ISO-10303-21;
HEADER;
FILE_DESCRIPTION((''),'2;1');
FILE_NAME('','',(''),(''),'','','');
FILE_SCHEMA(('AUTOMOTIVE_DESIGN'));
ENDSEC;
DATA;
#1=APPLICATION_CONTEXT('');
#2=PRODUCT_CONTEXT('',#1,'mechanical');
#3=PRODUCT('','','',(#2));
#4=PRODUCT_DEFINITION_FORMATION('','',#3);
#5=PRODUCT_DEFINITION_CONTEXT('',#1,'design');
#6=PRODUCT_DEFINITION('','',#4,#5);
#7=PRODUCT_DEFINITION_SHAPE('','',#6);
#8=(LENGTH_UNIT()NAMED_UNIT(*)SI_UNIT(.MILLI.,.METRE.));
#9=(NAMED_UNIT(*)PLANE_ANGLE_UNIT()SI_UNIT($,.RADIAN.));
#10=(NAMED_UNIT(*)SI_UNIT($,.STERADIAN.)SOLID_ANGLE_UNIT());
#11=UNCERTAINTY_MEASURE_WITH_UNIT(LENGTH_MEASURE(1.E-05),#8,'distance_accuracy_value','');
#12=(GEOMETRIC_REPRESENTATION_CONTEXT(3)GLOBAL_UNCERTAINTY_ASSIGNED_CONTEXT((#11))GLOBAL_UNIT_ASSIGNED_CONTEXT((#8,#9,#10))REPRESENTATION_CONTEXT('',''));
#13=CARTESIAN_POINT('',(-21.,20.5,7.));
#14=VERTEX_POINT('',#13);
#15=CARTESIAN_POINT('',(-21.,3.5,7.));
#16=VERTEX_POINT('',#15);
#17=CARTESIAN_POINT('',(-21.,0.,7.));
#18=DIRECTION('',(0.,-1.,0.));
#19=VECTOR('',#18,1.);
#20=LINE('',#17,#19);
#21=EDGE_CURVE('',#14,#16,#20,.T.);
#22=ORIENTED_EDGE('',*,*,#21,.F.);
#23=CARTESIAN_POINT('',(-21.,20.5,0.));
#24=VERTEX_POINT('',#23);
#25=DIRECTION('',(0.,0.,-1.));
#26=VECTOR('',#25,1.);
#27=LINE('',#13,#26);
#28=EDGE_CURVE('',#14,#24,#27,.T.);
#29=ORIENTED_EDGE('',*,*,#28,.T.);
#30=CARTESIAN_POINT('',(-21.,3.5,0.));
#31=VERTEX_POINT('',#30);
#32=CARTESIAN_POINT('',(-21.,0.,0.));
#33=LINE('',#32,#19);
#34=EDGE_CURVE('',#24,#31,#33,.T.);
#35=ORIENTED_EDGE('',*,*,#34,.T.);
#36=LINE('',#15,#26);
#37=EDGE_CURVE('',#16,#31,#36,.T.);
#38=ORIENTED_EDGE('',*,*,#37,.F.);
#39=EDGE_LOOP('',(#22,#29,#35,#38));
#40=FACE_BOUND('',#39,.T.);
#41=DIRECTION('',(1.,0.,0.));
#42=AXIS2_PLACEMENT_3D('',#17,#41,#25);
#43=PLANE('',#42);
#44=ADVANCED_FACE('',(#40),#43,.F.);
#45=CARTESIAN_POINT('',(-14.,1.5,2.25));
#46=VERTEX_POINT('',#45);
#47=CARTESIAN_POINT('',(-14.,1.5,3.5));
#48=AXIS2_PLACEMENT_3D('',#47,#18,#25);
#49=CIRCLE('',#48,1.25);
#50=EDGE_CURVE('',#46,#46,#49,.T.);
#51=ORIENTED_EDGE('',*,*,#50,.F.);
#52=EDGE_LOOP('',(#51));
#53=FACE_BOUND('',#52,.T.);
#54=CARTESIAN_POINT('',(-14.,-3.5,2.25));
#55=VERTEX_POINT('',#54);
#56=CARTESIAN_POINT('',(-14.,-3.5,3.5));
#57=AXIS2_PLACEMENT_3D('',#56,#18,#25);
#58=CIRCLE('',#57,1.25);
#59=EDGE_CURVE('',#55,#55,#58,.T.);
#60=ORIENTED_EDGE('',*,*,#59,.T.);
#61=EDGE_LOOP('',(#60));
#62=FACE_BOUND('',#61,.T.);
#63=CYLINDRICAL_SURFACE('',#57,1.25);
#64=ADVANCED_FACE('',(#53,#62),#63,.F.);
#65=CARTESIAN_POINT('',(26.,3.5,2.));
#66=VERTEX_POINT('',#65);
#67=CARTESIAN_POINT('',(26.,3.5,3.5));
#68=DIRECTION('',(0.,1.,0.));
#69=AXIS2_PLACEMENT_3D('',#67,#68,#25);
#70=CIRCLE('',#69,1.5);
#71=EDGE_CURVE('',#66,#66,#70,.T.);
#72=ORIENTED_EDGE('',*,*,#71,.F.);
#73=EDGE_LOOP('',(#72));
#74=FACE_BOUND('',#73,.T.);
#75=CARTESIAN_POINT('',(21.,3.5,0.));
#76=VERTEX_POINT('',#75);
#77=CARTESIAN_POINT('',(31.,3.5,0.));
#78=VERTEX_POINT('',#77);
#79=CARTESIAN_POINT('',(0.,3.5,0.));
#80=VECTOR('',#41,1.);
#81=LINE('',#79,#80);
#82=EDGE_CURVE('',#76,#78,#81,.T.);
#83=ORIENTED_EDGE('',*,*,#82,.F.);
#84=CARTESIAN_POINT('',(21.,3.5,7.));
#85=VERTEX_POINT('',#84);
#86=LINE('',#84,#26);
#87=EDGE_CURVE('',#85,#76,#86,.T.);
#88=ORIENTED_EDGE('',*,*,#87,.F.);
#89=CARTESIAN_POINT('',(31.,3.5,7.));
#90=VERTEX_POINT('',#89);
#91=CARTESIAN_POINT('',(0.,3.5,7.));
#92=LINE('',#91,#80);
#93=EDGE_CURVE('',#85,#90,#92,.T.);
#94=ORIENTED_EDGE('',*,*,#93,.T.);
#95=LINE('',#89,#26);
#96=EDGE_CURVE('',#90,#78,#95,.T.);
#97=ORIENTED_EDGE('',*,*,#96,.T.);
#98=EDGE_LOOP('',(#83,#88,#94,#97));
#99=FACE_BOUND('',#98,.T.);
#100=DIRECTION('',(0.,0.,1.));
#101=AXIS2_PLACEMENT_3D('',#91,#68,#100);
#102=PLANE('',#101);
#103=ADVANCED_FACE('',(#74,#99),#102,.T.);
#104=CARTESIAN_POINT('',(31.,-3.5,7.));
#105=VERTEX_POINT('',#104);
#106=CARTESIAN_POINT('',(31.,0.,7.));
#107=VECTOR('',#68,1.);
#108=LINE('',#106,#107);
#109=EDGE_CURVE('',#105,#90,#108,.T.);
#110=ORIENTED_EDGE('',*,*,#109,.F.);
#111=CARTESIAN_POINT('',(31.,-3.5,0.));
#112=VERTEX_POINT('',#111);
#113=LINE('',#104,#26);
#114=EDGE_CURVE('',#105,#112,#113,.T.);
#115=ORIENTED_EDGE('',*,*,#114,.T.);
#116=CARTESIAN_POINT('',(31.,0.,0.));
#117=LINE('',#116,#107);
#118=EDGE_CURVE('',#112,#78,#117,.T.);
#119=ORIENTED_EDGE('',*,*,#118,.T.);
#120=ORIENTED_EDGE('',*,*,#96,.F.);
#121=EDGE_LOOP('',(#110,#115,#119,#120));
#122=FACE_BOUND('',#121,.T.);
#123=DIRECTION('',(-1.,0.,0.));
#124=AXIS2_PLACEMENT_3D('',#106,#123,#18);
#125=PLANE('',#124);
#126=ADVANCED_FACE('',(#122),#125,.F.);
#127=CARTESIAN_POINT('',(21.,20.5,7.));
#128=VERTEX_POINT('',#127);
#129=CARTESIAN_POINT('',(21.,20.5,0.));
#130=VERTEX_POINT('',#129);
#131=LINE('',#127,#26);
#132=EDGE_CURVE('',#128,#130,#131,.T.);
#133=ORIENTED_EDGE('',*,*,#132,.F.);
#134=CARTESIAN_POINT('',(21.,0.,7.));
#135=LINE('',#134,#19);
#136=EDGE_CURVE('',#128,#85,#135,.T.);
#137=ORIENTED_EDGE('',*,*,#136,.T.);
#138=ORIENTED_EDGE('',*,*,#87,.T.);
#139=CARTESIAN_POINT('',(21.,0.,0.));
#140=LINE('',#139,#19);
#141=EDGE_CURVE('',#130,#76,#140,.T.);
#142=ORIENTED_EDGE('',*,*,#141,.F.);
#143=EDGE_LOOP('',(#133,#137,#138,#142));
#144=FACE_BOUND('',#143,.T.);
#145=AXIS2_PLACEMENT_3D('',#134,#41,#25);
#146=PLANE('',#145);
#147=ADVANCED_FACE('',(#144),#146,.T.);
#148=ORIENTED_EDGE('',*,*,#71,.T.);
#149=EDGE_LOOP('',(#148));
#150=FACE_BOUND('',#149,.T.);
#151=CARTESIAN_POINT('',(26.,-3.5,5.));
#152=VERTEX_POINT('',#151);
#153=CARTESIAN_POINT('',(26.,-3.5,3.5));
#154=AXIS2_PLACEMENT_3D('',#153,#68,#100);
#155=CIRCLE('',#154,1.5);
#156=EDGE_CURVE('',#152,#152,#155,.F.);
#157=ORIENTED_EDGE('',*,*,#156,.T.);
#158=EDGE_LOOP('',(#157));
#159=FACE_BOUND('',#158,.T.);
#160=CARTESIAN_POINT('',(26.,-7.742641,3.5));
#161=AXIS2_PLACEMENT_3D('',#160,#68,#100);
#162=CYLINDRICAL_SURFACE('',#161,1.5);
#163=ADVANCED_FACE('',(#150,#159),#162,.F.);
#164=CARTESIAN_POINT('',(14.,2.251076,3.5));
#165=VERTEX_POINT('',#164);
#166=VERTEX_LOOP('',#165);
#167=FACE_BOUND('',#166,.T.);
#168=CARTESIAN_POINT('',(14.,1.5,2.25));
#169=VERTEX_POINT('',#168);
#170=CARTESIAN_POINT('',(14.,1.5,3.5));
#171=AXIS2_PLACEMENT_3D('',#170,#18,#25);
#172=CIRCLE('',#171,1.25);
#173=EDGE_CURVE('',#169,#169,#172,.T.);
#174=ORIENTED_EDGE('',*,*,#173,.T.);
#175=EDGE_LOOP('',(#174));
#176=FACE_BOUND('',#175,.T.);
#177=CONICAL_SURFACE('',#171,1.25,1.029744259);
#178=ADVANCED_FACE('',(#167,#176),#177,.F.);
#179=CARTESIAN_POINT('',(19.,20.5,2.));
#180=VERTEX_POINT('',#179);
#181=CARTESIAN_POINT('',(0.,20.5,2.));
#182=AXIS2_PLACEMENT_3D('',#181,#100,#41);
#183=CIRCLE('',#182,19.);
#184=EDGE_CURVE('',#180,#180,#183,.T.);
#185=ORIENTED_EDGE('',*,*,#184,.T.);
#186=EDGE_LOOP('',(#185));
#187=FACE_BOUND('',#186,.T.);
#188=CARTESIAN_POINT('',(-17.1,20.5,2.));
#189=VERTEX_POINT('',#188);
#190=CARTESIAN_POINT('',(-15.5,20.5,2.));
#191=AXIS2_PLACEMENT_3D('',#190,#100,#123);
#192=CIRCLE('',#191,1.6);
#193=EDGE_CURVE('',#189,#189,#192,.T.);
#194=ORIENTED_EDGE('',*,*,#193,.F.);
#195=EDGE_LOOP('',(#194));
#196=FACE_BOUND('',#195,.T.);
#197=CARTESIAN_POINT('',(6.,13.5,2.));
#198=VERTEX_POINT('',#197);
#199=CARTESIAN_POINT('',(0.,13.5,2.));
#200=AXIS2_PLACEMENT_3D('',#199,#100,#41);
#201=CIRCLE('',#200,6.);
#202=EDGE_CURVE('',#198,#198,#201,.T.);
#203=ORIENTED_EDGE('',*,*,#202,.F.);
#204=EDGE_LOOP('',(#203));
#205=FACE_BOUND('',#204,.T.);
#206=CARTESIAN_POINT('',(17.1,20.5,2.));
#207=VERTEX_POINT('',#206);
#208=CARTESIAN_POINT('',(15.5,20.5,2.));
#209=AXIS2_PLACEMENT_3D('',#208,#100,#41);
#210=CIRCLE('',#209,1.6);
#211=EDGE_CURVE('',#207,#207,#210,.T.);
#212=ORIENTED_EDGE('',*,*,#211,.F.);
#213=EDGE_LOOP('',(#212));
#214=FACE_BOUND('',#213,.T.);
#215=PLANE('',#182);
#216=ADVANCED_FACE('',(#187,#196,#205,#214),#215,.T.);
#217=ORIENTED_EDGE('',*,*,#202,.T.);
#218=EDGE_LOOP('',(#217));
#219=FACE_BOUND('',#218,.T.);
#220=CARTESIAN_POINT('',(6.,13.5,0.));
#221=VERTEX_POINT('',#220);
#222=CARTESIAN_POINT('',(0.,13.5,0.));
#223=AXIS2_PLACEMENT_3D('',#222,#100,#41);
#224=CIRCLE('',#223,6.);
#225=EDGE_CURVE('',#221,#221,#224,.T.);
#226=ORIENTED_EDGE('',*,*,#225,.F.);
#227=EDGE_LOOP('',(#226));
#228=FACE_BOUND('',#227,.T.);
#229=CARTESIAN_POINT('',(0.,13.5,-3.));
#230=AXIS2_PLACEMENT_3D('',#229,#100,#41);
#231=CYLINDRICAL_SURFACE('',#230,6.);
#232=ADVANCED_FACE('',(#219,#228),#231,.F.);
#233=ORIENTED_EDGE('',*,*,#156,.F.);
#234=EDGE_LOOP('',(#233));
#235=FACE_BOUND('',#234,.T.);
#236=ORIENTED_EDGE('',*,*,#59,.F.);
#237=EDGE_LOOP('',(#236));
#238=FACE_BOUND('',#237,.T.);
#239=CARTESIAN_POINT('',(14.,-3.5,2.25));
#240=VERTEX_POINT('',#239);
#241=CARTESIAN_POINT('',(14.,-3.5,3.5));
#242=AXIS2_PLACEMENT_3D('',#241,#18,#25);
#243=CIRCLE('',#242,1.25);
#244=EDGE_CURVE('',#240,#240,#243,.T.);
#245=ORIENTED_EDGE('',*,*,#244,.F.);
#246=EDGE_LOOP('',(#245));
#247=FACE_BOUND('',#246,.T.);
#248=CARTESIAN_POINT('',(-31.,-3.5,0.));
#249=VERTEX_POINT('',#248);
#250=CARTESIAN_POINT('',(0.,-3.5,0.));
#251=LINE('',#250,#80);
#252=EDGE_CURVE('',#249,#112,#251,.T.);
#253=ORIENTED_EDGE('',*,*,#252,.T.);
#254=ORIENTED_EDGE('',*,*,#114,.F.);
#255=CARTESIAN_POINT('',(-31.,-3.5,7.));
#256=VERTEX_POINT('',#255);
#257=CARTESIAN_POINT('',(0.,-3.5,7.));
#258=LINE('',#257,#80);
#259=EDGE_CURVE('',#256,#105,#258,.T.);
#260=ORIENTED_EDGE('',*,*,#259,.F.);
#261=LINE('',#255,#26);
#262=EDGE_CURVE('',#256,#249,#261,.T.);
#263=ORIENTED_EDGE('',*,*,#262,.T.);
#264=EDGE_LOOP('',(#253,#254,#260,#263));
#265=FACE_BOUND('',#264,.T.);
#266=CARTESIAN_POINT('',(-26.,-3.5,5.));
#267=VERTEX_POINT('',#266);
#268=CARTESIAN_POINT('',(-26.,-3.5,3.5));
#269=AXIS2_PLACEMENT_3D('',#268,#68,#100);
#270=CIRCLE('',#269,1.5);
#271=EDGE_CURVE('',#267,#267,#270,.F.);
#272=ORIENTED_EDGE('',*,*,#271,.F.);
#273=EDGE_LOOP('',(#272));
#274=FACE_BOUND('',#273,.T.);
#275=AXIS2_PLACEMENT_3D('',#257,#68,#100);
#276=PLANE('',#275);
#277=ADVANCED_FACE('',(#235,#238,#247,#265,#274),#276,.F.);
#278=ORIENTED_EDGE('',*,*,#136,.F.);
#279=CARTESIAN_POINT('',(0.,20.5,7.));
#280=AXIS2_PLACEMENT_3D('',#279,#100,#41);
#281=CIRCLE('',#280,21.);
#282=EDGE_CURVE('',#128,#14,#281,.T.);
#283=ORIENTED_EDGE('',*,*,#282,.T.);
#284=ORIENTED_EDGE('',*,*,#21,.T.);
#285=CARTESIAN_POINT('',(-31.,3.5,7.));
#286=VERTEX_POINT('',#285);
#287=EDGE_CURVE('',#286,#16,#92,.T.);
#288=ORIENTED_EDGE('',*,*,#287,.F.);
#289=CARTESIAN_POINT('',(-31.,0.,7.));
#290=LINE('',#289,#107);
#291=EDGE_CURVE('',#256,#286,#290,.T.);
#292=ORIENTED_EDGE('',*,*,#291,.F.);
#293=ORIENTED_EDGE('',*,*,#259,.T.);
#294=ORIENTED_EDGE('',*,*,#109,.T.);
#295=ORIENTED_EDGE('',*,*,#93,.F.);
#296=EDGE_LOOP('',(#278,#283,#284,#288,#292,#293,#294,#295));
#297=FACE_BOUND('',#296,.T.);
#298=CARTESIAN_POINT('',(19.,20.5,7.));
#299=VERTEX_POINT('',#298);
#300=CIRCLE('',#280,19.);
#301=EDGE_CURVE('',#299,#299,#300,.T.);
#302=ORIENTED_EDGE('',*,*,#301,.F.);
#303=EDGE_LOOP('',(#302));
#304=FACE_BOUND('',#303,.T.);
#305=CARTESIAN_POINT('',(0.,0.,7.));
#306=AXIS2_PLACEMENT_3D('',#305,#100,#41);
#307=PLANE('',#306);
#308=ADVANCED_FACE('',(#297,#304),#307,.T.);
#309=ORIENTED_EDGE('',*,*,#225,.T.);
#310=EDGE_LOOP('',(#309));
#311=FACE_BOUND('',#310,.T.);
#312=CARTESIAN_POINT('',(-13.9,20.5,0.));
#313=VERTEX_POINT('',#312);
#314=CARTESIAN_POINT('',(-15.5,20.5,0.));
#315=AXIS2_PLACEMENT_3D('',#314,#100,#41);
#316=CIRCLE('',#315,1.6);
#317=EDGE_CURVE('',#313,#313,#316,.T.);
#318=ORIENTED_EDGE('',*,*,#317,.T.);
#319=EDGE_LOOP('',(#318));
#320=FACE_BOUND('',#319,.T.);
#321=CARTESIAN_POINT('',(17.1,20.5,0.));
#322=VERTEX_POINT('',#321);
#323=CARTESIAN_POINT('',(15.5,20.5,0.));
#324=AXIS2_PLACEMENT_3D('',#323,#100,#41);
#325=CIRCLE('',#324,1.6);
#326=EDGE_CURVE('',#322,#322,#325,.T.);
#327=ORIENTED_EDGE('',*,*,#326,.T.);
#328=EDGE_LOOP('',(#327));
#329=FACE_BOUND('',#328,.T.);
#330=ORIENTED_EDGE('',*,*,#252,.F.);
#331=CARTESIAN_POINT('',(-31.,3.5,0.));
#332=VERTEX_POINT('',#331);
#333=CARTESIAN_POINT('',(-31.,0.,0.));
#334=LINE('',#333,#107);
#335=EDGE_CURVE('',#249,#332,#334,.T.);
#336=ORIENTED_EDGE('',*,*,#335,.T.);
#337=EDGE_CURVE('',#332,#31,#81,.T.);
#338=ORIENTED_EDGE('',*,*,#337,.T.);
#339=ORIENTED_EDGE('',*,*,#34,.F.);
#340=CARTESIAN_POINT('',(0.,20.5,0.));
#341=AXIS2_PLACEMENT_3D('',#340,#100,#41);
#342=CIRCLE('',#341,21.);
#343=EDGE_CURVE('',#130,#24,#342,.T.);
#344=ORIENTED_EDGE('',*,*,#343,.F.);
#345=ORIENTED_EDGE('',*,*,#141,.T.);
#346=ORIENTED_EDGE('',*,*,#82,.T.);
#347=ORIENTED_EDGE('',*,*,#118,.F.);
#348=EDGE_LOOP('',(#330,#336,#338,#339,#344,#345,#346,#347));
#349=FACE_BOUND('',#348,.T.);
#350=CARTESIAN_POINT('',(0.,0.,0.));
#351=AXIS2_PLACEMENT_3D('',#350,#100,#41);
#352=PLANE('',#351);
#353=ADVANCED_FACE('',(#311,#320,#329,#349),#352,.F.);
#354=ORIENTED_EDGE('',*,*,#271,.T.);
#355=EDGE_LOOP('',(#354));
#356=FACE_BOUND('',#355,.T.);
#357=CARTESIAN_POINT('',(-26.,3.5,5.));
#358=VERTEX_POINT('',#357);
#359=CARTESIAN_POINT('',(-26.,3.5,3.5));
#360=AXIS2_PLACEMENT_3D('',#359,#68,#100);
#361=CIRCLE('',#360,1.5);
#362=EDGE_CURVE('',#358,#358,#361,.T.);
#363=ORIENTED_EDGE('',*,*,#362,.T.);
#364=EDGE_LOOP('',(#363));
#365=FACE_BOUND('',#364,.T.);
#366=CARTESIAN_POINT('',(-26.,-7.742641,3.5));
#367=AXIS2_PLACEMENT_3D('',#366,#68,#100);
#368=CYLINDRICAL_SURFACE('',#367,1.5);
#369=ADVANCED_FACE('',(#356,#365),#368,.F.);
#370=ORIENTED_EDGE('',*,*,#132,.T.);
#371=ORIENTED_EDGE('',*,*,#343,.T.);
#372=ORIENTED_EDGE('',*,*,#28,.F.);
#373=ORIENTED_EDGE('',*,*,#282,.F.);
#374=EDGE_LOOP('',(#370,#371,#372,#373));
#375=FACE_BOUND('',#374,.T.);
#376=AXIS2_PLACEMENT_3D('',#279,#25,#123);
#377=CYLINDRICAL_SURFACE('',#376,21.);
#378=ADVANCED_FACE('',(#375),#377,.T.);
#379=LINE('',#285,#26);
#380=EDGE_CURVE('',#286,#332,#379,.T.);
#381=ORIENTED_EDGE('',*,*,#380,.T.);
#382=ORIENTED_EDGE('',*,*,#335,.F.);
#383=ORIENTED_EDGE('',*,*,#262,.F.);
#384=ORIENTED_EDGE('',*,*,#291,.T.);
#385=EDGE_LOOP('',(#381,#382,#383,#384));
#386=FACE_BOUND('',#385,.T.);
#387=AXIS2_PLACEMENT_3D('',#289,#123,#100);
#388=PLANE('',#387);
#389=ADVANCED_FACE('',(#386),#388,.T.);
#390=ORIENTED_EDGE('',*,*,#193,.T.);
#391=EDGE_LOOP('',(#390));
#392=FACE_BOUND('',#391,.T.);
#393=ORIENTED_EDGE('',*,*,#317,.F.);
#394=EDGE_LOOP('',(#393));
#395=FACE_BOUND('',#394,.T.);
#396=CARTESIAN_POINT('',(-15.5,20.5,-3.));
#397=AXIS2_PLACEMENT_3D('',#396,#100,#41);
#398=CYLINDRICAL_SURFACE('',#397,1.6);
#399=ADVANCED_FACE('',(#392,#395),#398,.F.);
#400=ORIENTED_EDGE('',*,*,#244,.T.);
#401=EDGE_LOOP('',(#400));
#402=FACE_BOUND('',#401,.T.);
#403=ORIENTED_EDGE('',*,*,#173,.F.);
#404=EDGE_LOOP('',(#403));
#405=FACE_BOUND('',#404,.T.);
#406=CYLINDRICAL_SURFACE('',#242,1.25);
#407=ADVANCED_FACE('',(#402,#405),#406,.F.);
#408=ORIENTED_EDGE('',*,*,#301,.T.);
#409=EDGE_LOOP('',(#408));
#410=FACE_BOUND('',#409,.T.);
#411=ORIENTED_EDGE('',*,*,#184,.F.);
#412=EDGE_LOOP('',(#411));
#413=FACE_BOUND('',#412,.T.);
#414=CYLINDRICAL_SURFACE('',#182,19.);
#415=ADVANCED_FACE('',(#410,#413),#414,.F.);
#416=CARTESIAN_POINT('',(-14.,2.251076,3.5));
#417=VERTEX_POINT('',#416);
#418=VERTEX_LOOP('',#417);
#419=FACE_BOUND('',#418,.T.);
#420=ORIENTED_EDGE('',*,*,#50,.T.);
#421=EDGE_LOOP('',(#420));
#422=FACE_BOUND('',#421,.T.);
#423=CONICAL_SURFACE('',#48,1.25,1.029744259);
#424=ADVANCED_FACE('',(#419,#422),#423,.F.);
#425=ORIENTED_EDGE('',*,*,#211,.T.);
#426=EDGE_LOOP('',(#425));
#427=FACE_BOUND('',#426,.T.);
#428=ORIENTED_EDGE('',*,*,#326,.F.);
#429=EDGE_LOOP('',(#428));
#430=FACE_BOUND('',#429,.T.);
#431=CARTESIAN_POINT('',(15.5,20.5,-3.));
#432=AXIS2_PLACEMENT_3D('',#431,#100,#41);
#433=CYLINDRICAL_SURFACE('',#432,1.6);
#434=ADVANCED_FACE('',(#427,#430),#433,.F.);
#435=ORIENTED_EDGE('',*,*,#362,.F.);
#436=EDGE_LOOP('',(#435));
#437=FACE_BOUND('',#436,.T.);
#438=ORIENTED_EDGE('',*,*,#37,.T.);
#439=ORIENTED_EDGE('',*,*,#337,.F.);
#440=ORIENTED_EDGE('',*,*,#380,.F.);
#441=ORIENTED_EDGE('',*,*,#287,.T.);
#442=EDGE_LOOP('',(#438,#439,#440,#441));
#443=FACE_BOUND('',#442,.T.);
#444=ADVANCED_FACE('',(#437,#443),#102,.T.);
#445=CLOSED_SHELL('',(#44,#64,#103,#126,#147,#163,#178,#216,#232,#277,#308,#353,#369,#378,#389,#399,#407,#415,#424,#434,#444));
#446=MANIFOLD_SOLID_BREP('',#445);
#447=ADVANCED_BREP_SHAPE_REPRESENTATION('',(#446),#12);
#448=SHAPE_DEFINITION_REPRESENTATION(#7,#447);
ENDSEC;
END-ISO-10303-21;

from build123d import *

# Parameters (mm, degrees)
BOSS_EXTRUDE1_DEPTH   = 7
SKETCH2_R             = 19
CUT_EXTRUDE1_DEPTH    = 5
SKETCH3_R             = 6
SKETCH3_R_2           = 1.6
CUT_EXTRUDE2_DEPTH    = 5
M3_TAPPED_HOLE1_D     = 2.5
M3_TAPPED_HOLE1_DEPTH = 5
M3_TAPPED_HOLE1_TIP   = 0.751075774
SKETCH6_R             = 1.5
CUT_EXTRUDE3_DEPTH    = 7


with BuildPart() as part:
    # Sketch1 → Boss-Extrude1 (new body)
    with BuildSketch(Plane.XY):
        with BuildLine():
            Line((31, 3.5), (21, 3.5))
            Line((21, 3.5), (21, 20.5))
            ThreePointArc((21, 20.5), (0, 41.5), (-21, 20.5))
            Line((-21, 20.5), (-21, 3.5))
            Line((-21, 3.5), (-31, 3.5))
            Line((-31, 3.5), (-31, -3.5))
            Line((-31, -3.5), (31, -3.5))
            Line((31, -3.5), (31, 3.5))
        make_face()
    extrude(amount=BOSS_EXTRUDE1_DEPTH)

    # Sketch2 → Cut-Extrude1 (cut)
    with BuildSketch(Plane.XY.offset(7)):
        with Locations((0, 20.5)):
            Circle(SKETCH2_R)
    extrude(amount=-CUT_EXTRUDE1_DEPTH, mode=Mode.SUBTRACT)

    # Sketch3 → Cut-Extrude2 (cut)
    with BuildSketch(Plane.XY.offset(2)):
        with Locations((0, 13.5)):
            Circle(SKETCH3_R)
        with Locations((15.5, 20.5)):
            Circle(SKETCH3_R_2)
        with Locations((-15.5, 20.5)):
            Circle(SKETCH3_R_2)
    extrude(amount=-CUT_EXTRUDE2_DEPTH, mode=Mode.SUBTRACT)

    # M3 Tapped Hole1
    with Locations(Plane(origin=(-14, -3.5, 3.5), x_dir=(0, 0, -1), z_dir=(0, -1, 0))):
        with Locations((0, 0), (0, 28)):
            Hole(M3_TAPPED_HOLE1_D / 2, depth=M3_TAPPED_HOLE1_DEPTH)
            with Locations((0, 0, -(M3_TAPPED_HOLE1_DEPTH + M3_TAPPED_HOLE1_TIP / 2))):  # 118° drill point
                Cone(0, M3_TAPPED_HOLE1_D / 2, M3_TAPPED_HOLE1_TIP, mode=Mode.SUBTRACT)

    # Sketch6 → Cut-Extrude3 (cut)
    with BuildSketch(Plane(origin=(0, 3.5, 0), x_dir=(1, 0, 0), z_dir=(0, 1, 0))):
        with Locations(Location((-26, -3.5, 0), (0, 0, 270))):
            Circle(SKETCH6_R)
        with Locations(Location((26, -3.5, 0), (0, 0, 270))):
            Circle(SKETCH6_R)
    extrude(amount=-CUT_EXTRUDE3_DEPTH, mode=Mode.SUBTRACT)


solid = part.part
